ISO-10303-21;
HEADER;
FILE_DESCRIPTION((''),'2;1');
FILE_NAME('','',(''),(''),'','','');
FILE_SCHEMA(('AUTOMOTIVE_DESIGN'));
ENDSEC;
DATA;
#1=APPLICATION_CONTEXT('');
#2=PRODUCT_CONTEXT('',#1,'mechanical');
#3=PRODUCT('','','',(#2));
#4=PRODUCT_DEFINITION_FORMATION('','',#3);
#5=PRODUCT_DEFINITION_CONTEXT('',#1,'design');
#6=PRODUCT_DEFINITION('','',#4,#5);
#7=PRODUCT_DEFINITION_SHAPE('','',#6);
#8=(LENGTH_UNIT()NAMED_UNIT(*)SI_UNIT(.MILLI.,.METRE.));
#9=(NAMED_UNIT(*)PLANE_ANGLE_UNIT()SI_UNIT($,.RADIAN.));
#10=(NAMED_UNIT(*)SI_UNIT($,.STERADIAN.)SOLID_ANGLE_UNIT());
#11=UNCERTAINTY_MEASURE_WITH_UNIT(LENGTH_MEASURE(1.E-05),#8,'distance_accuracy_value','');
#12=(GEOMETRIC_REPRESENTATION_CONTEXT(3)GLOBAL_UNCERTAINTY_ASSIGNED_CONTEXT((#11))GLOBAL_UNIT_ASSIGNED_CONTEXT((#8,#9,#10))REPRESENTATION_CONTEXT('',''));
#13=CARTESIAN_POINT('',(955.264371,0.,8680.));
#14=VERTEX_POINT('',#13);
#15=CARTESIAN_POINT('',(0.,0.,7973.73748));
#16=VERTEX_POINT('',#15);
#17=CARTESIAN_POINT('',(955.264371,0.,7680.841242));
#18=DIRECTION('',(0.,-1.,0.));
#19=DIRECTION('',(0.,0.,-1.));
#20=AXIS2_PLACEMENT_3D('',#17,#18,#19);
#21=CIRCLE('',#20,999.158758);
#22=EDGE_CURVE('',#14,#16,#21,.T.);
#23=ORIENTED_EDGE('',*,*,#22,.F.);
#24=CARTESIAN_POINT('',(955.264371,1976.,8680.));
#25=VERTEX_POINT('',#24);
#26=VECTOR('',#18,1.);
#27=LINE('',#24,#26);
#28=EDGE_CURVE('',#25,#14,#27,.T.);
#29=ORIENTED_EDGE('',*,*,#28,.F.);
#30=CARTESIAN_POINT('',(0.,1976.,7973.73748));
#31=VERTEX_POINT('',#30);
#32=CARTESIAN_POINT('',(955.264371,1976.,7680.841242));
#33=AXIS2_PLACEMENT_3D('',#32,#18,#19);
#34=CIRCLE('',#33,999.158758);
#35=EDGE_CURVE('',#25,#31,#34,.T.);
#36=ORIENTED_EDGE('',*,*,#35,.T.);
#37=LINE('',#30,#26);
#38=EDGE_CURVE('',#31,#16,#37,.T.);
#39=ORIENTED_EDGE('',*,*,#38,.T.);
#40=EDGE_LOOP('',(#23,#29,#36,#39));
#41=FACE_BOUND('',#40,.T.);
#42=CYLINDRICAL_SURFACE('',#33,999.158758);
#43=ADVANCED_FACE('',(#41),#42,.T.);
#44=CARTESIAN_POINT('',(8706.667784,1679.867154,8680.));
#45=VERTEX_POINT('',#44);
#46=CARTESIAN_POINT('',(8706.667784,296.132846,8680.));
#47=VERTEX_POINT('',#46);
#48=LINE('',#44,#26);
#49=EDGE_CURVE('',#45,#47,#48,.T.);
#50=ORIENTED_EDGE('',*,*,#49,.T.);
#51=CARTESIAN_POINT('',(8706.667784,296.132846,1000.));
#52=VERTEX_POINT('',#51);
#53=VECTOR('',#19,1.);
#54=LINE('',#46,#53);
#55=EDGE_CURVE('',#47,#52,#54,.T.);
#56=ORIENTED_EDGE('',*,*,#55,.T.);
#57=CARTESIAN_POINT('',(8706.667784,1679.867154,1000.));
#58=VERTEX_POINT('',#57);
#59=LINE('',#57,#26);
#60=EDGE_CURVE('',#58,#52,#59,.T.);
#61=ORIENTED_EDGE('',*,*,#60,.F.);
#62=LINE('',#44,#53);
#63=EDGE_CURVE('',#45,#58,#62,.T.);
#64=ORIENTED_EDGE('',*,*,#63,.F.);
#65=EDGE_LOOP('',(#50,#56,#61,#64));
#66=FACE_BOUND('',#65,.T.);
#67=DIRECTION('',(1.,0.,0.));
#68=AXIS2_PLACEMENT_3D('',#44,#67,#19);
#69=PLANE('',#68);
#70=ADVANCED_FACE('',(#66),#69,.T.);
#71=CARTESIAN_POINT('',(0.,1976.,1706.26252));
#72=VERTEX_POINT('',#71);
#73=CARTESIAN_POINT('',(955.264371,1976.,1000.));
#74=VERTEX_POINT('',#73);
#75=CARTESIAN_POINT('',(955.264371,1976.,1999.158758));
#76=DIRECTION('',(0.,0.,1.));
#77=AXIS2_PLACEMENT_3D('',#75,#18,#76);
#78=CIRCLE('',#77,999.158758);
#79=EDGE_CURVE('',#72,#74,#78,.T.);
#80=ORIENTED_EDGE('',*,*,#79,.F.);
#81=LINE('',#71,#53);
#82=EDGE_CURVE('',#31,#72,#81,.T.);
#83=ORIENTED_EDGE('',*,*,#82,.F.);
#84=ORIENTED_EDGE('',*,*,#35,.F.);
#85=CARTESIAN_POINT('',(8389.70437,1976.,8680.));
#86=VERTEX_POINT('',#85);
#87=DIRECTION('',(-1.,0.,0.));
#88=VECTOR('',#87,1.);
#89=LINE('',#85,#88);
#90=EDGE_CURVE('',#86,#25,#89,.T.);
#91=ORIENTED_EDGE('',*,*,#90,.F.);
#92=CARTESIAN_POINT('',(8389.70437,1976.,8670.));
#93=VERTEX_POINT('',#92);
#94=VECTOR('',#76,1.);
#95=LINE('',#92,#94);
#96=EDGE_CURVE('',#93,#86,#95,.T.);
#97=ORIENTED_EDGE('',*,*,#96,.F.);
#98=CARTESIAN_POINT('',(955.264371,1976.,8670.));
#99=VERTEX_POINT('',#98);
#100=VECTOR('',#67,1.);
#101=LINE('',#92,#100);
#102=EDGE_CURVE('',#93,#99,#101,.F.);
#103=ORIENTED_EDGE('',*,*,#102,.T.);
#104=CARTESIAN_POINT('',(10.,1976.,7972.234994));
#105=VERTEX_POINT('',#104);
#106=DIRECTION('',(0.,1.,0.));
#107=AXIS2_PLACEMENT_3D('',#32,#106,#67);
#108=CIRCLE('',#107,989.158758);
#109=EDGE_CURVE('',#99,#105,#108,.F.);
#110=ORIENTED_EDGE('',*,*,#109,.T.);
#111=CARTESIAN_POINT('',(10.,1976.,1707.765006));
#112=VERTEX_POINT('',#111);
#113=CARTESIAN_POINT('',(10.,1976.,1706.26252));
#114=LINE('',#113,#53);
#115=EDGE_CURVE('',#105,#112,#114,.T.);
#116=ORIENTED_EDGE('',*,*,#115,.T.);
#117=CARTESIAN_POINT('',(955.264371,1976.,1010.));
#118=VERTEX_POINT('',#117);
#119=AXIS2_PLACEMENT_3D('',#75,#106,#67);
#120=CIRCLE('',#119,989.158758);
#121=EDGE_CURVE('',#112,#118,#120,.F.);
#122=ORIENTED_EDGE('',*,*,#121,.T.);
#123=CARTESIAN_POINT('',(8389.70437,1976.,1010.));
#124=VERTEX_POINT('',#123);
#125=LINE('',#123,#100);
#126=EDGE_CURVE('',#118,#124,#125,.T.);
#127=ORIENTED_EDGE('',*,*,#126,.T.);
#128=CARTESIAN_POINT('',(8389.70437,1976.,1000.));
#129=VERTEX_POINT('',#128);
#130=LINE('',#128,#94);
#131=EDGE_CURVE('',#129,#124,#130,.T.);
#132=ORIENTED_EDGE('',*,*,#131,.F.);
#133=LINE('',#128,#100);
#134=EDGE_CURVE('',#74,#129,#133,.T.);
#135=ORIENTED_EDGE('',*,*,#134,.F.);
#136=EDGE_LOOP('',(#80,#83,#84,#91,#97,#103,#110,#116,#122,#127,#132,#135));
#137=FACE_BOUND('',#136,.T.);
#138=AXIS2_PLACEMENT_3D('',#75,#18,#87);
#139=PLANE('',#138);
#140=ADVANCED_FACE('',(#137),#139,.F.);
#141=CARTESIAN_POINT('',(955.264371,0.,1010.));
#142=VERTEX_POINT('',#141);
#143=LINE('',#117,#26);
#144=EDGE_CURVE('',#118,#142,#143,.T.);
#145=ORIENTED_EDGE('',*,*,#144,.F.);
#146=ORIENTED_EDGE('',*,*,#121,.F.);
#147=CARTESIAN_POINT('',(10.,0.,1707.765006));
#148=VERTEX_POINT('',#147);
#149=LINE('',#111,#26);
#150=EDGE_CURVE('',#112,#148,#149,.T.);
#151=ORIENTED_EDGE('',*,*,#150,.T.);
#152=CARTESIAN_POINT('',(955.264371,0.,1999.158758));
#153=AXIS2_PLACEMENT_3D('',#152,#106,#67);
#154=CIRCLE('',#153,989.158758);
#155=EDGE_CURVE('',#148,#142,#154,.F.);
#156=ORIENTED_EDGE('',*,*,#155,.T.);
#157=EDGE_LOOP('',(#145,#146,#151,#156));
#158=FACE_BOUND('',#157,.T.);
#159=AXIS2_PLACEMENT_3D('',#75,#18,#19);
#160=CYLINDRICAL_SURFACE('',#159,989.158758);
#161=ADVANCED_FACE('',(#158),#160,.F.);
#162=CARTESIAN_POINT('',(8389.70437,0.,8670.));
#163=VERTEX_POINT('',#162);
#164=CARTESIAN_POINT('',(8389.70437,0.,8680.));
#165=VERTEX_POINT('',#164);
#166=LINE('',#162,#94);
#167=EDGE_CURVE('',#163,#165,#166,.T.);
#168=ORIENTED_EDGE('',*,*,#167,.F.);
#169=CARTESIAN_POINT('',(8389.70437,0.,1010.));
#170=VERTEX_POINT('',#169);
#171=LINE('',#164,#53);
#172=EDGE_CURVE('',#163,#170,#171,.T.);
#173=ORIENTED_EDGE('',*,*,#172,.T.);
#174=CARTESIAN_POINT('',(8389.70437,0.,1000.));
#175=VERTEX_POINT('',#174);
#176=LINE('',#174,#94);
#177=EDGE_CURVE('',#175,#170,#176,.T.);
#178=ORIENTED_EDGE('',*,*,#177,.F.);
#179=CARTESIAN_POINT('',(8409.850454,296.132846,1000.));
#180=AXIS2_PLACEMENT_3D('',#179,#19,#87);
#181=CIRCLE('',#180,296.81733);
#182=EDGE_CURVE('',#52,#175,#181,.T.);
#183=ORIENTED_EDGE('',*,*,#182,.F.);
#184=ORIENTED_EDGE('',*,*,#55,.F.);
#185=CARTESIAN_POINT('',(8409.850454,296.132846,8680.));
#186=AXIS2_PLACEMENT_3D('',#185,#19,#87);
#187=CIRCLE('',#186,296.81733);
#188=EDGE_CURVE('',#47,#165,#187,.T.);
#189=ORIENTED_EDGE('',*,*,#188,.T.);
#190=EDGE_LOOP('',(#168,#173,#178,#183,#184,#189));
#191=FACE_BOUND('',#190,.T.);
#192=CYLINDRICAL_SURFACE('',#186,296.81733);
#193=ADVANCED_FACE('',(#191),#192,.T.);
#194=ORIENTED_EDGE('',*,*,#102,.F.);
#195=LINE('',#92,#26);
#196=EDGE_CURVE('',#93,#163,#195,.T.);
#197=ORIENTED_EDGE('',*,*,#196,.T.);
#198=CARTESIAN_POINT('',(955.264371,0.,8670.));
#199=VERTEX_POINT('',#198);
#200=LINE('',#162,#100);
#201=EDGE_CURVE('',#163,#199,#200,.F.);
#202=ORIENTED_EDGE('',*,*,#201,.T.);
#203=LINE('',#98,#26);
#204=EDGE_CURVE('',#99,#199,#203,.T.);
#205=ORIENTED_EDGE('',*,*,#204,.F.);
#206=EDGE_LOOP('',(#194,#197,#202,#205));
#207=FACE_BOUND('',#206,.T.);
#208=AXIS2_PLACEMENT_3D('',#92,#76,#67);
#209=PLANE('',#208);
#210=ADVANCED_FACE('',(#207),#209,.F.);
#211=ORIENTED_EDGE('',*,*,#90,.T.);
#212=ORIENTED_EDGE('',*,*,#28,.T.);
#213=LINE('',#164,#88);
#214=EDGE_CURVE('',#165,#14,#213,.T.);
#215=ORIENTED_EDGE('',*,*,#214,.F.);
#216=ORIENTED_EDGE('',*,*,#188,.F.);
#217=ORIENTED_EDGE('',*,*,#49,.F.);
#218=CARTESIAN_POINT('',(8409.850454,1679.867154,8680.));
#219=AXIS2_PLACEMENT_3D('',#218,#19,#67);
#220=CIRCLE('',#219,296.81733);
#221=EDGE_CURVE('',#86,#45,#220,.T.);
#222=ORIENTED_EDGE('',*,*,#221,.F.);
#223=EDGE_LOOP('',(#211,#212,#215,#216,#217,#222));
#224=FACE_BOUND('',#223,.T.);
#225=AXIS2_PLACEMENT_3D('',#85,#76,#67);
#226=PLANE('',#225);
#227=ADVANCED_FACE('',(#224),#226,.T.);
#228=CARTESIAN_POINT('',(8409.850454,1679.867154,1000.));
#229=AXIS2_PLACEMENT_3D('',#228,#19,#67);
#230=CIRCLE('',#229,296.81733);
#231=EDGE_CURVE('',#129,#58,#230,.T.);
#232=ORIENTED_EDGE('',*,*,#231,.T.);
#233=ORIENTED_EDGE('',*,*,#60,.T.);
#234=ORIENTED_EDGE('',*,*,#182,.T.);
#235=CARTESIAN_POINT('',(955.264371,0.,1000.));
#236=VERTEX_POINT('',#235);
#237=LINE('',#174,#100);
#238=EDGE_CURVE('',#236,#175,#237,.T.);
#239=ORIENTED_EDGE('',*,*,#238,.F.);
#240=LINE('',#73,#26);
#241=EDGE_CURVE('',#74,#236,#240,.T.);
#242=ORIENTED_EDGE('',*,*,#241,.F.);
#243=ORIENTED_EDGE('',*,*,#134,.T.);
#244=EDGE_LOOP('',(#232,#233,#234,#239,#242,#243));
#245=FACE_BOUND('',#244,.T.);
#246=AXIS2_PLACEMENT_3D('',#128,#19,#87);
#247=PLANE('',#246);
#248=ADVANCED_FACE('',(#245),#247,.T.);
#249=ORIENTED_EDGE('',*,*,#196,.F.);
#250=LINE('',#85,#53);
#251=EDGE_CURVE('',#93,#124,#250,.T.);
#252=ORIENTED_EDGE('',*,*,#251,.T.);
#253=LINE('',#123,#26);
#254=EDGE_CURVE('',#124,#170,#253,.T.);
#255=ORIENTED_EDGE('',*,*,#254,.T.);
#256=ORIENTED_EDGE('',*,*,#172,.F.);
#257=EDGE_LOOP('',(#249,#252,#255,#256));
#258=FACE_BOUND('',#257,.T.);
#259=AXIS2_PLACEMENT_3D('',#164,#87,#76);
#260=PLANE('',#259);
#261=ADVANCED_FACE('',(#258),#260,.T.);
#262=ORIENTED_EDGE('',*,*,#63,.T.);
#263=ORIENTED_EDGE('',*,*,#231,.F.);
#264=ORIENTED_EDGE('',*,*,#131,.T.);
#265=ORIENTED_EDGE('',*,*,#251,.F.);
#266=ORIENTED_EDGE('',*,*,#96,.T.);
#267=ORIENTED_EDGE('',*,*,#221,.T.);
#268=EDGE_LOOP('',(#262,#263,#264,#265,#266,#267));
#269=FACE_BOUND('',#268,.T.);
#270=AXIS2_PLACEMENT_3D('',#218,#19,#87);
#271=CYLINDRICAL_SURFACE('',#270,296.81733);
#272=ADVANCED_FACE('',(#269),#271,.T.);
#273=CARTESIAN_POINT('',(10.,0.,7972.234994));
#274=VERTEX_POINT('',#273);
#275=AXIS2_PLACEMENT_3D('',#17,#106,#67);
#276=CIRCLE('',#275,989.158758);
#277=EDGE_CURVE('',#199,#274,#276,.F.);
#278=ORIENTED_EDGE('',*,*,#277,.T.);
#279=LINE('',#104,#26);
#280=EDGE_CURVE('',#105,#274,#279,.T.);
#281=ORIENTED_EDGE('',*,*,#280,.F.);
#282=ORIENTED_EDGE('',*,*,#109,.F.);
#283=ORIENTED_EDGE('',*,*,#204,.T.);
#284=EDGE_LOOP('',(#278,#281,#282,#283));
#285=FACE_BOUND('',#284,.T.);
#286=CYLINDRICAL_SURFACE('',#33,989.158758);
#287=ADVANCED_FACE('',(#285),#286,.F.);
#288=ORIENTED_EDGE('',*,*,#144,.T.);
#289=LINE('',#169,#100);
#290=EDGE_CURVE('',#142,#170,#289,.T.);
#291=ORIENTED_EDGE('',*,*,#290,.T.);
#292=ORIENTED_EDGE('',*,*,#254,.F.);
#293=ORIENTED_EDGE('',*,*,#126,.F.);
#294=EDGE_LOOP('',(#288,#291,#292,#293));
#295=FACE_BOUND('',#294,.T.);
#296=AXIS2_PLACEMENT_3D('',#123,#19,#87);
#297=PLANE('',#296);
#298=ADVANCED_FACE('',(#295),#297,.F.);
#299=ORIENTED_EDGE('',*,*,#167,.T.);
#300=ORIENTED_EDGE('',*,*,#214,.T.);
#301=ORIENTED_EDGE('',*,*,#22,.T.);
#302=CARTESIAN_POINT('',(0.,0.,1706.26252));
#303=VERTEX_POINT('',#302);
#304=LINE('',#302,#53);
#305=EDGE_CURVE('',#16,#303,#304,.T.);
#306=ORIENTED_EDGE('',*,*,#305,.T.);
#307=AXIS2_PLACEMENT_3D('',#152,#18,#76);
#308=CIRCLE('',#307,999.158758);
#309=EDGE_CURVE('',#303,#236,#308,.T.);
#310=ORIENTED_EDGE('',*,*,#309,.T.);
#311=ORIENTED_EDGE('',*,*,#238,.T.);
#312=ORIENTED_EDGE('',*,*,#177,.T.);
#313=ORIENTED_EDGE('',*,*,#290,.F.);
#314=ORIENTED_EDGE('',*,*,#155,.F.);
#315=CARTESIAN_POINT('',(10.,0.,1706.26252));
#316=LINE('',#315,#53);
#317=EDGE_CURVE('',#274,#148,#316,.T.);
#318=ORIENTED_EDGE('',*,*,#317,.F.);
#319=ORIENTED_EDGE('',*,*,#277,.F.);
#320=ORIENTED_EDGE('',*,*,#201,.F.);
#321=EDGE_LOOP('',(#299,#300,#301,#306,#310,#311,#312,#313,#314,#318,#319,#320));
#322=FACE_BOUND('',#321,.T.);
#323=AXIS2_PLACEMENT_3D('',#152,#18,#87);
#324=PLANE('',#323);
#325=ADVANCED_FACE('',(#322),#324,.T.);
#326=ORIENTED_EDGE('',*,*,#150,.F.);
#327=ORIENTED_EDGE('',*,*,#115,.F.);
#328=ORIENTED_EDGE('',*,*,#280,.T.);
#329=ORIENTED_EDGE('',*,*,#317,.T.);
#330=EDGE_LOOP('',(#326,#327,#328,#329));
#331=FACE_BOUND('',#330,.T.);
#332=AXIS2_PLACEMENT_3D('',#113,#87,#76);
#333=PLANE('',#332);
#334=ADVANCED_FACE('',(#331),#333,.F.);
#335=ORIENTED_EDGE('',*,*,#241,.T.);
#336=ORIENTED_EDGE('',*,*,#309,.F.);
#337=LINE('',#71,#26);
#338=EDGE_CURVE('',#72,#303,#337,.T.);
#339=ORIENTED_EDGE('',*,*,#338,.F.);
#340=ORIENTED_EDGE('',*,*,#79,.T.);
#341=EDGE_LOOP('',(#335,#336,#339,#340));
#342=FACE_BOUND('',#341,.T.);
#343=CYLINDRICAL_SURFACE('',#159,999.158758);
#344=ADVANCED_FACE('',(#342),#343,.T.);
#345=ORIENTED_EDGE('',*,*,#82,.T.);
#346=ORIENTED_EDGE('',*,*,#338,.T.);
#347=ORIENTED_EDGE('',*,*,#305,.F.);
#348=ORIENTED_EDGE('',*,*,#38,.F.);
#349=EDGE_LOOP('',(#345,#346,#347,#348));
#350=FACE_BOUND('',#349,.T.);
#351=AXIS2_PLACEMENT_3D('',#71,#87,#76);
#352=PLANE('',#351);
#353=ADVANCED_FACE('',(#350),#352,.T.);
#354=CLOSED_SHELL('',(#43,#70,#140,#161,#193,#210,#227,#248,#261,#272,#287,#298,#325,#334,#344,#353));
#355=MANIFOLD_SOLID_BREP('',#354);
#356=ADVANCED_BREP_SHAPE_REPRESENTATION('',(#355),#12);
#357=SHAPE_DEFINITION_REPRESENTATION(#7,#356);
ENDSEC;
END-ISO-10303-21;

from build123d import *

# Parameters (mm, degrees)
EXTRUDE_THIN1_DEPTH = 1976
BOSS_EXTRUDE1_DEPTH = 7680


with BuildPart() as part:
    # Sketch3 → Extrude-Thin1 (new body)
    with BuildSketch(Plane(origin=(0, 0, 0), x_dir=(1, 0, 0), z_dir=(0, 1, 0))):
        with BuildLine():
            Line((8389.704370421, -8680), (955.264370754, -8680))
            ThreePointArc((955.264370754, -8680), (361.265893237, -8484.261451204), (0, -7973.737480011))
            Line((0, -7973.737480011), (0, -1706.262519989))
            ThreePointArc((0, -1706.262519989), (361.265893237, -1195.738548796), (955.264370754, -1000))
            Line((955.264370754, -1000), (8389.704370421, -1000))
            Line((8389.704370421, -1000), (8389.704370421, -1010))
            Line((8389.704370421, -1010), (955.264370754, -1010))
            ThreePointArc((955.264370754, -1010), (367.812088707, -1203.335369926), (10, -1707.76500637))
            Line((10, -1707.76500637), (10, -7972.23499363))
            ThreePointArc((10, -7972.23499363), (367.812088707, -8476.664630074), (955.264370754, -8670))
            Line((955.264370754, -8670), (8389.704370421, -8670))
            Line((8389.704370421, -8670), (8389.704370421, -8680))
        make_face()
    extrude(amount=EXTRUDE_THIN1_DEPTH)

    # Sketch6 → Boss-Extrude1 (add)
    with BuildSketch(Plane(origin=(0, 0, 1000), x_dir=(-1, 0, 0), z_dir=(0, 0, -1))):
        with BuildLine():
            Line((-8706.667783767, 1679.867153644), (-8706.667783767, 296.132846356))
            ThreePointArc((-8706.667783767, 296.132846356), (-8612.48413892, 79.245509191), (-8389.704370421, 0))
            Line((-8389.704370421, 0), (-8389.704370421, 1976))
            ThreePointArc((-8389.704370421, 1976), (-8612.48413892, 1896.754490809), (-8706.667783767, 1679.867153644))
        make_face()
    extrude(amount=-BOSS_EXTRUDE1_DEPTH)


solid = part.part
